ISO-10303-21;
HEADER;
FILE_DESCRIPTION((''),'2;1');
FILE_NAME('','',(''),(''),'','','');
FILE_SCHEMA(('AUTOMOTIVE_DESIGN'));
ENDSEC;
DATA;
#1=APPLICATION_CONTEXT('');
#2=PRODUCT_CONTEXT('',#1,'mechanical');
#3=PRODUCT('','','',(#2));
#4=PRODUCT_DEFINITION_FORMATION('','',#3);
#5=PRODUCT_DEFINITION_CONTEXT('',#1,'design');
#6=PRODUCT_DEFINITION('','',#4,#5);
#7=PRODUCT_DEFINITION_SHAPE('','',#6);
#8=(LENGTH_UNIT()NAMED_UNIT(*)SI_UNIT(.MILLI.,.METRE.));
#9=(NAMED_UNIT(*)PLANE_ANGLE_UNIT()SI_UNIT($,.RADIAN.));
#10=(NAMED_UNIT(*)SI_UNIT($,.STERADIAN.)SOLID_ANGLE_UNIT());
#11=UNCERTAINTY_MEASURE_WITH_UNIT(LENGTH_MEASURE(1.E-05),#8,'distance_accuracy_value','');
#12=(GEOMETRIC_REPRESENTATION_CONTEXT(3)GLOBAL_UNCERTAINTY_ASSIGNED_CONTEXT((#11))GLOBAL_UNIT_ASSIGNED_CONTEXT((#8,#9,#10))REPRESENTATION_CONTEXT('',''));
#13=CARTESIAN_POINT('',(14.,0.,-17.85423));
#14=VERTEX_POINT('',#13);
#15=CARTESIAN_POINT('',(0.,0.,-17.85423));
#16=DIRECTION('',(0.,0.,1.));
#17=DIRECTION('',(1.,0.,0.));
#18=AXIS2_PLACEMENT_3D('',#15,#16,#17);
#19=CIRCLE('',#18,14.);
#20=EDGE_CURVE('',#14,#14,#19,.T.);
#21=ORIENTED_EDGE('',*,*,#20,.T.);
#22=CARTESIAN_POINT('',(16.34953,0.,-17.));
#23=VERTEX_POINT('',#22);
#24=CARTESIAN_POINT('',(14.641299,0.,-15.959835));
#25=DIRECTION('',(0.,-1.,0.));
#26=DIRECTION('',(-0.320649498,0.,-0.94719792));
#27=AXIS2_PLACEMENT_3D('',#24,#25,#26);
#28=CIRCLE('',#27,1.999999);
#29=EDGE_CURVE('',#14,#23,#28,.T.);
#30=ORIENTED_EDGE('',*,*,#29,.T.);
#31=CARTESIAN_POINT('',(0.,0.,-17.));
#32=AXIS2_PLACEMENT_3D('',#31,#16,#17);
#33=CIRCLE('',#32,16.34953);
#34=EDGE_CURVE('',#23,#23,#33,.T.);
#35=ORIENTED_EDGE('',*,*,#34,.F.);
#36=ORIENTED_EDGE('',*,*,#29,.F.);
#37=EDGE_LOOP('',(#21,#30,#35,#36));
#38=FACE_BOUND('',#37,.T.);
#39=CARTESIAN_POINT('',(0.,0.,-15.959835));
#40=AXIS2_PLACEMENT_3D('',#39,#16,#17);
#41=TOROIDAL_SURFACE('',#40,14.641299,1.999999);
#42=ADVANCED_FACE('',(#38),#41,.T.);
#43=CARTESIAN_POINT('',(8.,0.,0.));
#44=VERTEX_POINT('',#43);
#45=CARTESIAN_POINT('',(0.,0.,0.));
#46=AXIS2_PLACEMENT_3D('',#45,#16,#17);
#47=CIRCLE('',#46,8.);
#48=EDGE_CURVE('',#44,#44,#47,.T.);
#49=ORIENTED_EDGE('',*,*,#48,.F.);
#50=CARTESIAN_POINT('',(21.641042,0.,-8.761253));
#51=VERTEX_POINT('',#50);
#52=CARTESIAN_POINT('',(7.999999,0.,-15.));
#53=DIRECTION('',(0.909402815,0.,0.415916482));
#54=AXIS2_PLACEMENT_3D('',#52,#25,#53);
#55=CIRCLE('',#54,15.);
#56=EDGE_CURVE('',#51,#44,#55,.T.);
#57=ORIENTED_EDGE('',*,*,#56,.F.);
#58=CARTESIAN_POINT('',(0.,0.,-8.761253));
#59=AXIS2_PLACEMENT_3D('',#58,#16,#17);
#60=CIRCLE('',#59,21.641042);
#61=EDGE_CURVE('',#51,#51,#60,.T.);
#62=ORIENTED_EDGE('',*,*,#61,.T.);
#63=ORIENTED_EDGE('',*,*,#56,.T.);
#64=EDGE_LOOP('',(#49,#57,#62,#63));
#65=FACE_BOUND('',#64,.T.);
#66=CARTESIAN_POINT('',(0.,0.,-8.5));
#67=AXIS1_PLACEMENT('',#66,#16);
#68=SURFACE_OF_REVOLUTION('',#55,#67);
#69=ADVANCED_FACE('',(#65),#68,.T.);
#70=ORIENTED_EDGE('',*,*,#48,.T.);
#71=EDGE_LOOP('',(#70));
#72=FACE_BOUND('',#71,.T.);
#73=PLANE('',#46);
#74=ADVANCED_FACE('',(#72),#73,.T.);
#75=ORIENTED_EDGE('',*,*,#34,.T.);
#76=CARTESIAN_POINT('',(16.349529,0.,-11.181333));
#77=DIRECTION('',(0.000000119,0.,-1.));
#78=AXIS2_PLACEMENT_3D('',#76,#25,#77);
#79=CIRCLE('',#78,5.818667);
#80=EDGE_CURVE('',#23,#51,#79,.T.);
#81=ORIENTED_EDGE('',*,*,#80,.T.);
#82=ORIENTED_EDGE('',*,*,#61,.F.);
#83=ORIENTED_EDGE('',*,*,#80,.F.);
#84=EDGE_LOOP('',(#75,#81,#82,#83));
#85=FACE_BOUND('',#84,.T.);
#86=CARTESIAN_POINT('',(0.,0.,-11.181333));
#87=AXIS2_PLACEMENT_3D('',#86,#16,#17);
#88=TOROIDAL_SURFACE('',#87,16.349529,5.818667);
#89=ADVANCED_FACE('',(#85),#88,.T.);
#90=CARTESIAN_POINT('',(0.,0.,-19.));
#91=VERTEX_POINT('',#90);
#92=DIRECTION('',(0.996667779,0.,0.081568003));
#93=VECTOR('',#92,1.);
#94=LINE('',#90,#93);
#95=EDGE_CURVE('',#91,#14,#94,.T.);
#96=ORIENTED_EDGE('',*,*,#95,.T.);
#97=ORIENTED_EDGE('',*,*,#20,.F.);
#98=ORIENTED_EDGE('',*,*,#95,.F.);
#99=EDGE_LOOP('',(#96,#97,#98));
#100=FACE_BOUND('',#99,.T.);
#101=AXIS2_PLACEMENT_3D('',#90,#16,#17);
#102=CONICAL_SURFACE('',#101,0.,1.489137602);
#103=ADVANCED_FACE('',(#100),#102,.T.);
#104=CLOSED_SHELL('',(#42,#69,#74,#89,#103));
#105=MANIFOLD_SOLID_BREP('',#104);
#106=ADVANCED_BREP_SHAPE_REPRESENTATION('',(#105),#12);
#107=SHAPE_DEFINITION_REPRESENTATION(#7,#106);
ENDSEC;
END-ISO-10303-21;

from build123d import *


with BuildPart() as f1:
    # F0 (on Front) → F1 (revolve)
    with BuildSketch(Plane.XZ):
        with BuildLine():
            Line((8, 0), (0, 0))
            Line((0, 0), (0, -17))
            Line((0, -17), (0, -19))
            Line((0, -19), (14, -17.85423))
            ThreePointArc((14, -17.85423), (15.324683, -17.839458), (16.34953, -17))
            ThreePointArc((16.34953, -17), (21.245371, -14.325792), (21.641042, -8.761253))
            ThreePointArc((21.641042, -8.761253), (16.106133, -2.378962), (8, 0))
        make_face()
    revolve(axis=Axis((0, 0, -8.5), (0, 0, 1)))


solid = f1.part
